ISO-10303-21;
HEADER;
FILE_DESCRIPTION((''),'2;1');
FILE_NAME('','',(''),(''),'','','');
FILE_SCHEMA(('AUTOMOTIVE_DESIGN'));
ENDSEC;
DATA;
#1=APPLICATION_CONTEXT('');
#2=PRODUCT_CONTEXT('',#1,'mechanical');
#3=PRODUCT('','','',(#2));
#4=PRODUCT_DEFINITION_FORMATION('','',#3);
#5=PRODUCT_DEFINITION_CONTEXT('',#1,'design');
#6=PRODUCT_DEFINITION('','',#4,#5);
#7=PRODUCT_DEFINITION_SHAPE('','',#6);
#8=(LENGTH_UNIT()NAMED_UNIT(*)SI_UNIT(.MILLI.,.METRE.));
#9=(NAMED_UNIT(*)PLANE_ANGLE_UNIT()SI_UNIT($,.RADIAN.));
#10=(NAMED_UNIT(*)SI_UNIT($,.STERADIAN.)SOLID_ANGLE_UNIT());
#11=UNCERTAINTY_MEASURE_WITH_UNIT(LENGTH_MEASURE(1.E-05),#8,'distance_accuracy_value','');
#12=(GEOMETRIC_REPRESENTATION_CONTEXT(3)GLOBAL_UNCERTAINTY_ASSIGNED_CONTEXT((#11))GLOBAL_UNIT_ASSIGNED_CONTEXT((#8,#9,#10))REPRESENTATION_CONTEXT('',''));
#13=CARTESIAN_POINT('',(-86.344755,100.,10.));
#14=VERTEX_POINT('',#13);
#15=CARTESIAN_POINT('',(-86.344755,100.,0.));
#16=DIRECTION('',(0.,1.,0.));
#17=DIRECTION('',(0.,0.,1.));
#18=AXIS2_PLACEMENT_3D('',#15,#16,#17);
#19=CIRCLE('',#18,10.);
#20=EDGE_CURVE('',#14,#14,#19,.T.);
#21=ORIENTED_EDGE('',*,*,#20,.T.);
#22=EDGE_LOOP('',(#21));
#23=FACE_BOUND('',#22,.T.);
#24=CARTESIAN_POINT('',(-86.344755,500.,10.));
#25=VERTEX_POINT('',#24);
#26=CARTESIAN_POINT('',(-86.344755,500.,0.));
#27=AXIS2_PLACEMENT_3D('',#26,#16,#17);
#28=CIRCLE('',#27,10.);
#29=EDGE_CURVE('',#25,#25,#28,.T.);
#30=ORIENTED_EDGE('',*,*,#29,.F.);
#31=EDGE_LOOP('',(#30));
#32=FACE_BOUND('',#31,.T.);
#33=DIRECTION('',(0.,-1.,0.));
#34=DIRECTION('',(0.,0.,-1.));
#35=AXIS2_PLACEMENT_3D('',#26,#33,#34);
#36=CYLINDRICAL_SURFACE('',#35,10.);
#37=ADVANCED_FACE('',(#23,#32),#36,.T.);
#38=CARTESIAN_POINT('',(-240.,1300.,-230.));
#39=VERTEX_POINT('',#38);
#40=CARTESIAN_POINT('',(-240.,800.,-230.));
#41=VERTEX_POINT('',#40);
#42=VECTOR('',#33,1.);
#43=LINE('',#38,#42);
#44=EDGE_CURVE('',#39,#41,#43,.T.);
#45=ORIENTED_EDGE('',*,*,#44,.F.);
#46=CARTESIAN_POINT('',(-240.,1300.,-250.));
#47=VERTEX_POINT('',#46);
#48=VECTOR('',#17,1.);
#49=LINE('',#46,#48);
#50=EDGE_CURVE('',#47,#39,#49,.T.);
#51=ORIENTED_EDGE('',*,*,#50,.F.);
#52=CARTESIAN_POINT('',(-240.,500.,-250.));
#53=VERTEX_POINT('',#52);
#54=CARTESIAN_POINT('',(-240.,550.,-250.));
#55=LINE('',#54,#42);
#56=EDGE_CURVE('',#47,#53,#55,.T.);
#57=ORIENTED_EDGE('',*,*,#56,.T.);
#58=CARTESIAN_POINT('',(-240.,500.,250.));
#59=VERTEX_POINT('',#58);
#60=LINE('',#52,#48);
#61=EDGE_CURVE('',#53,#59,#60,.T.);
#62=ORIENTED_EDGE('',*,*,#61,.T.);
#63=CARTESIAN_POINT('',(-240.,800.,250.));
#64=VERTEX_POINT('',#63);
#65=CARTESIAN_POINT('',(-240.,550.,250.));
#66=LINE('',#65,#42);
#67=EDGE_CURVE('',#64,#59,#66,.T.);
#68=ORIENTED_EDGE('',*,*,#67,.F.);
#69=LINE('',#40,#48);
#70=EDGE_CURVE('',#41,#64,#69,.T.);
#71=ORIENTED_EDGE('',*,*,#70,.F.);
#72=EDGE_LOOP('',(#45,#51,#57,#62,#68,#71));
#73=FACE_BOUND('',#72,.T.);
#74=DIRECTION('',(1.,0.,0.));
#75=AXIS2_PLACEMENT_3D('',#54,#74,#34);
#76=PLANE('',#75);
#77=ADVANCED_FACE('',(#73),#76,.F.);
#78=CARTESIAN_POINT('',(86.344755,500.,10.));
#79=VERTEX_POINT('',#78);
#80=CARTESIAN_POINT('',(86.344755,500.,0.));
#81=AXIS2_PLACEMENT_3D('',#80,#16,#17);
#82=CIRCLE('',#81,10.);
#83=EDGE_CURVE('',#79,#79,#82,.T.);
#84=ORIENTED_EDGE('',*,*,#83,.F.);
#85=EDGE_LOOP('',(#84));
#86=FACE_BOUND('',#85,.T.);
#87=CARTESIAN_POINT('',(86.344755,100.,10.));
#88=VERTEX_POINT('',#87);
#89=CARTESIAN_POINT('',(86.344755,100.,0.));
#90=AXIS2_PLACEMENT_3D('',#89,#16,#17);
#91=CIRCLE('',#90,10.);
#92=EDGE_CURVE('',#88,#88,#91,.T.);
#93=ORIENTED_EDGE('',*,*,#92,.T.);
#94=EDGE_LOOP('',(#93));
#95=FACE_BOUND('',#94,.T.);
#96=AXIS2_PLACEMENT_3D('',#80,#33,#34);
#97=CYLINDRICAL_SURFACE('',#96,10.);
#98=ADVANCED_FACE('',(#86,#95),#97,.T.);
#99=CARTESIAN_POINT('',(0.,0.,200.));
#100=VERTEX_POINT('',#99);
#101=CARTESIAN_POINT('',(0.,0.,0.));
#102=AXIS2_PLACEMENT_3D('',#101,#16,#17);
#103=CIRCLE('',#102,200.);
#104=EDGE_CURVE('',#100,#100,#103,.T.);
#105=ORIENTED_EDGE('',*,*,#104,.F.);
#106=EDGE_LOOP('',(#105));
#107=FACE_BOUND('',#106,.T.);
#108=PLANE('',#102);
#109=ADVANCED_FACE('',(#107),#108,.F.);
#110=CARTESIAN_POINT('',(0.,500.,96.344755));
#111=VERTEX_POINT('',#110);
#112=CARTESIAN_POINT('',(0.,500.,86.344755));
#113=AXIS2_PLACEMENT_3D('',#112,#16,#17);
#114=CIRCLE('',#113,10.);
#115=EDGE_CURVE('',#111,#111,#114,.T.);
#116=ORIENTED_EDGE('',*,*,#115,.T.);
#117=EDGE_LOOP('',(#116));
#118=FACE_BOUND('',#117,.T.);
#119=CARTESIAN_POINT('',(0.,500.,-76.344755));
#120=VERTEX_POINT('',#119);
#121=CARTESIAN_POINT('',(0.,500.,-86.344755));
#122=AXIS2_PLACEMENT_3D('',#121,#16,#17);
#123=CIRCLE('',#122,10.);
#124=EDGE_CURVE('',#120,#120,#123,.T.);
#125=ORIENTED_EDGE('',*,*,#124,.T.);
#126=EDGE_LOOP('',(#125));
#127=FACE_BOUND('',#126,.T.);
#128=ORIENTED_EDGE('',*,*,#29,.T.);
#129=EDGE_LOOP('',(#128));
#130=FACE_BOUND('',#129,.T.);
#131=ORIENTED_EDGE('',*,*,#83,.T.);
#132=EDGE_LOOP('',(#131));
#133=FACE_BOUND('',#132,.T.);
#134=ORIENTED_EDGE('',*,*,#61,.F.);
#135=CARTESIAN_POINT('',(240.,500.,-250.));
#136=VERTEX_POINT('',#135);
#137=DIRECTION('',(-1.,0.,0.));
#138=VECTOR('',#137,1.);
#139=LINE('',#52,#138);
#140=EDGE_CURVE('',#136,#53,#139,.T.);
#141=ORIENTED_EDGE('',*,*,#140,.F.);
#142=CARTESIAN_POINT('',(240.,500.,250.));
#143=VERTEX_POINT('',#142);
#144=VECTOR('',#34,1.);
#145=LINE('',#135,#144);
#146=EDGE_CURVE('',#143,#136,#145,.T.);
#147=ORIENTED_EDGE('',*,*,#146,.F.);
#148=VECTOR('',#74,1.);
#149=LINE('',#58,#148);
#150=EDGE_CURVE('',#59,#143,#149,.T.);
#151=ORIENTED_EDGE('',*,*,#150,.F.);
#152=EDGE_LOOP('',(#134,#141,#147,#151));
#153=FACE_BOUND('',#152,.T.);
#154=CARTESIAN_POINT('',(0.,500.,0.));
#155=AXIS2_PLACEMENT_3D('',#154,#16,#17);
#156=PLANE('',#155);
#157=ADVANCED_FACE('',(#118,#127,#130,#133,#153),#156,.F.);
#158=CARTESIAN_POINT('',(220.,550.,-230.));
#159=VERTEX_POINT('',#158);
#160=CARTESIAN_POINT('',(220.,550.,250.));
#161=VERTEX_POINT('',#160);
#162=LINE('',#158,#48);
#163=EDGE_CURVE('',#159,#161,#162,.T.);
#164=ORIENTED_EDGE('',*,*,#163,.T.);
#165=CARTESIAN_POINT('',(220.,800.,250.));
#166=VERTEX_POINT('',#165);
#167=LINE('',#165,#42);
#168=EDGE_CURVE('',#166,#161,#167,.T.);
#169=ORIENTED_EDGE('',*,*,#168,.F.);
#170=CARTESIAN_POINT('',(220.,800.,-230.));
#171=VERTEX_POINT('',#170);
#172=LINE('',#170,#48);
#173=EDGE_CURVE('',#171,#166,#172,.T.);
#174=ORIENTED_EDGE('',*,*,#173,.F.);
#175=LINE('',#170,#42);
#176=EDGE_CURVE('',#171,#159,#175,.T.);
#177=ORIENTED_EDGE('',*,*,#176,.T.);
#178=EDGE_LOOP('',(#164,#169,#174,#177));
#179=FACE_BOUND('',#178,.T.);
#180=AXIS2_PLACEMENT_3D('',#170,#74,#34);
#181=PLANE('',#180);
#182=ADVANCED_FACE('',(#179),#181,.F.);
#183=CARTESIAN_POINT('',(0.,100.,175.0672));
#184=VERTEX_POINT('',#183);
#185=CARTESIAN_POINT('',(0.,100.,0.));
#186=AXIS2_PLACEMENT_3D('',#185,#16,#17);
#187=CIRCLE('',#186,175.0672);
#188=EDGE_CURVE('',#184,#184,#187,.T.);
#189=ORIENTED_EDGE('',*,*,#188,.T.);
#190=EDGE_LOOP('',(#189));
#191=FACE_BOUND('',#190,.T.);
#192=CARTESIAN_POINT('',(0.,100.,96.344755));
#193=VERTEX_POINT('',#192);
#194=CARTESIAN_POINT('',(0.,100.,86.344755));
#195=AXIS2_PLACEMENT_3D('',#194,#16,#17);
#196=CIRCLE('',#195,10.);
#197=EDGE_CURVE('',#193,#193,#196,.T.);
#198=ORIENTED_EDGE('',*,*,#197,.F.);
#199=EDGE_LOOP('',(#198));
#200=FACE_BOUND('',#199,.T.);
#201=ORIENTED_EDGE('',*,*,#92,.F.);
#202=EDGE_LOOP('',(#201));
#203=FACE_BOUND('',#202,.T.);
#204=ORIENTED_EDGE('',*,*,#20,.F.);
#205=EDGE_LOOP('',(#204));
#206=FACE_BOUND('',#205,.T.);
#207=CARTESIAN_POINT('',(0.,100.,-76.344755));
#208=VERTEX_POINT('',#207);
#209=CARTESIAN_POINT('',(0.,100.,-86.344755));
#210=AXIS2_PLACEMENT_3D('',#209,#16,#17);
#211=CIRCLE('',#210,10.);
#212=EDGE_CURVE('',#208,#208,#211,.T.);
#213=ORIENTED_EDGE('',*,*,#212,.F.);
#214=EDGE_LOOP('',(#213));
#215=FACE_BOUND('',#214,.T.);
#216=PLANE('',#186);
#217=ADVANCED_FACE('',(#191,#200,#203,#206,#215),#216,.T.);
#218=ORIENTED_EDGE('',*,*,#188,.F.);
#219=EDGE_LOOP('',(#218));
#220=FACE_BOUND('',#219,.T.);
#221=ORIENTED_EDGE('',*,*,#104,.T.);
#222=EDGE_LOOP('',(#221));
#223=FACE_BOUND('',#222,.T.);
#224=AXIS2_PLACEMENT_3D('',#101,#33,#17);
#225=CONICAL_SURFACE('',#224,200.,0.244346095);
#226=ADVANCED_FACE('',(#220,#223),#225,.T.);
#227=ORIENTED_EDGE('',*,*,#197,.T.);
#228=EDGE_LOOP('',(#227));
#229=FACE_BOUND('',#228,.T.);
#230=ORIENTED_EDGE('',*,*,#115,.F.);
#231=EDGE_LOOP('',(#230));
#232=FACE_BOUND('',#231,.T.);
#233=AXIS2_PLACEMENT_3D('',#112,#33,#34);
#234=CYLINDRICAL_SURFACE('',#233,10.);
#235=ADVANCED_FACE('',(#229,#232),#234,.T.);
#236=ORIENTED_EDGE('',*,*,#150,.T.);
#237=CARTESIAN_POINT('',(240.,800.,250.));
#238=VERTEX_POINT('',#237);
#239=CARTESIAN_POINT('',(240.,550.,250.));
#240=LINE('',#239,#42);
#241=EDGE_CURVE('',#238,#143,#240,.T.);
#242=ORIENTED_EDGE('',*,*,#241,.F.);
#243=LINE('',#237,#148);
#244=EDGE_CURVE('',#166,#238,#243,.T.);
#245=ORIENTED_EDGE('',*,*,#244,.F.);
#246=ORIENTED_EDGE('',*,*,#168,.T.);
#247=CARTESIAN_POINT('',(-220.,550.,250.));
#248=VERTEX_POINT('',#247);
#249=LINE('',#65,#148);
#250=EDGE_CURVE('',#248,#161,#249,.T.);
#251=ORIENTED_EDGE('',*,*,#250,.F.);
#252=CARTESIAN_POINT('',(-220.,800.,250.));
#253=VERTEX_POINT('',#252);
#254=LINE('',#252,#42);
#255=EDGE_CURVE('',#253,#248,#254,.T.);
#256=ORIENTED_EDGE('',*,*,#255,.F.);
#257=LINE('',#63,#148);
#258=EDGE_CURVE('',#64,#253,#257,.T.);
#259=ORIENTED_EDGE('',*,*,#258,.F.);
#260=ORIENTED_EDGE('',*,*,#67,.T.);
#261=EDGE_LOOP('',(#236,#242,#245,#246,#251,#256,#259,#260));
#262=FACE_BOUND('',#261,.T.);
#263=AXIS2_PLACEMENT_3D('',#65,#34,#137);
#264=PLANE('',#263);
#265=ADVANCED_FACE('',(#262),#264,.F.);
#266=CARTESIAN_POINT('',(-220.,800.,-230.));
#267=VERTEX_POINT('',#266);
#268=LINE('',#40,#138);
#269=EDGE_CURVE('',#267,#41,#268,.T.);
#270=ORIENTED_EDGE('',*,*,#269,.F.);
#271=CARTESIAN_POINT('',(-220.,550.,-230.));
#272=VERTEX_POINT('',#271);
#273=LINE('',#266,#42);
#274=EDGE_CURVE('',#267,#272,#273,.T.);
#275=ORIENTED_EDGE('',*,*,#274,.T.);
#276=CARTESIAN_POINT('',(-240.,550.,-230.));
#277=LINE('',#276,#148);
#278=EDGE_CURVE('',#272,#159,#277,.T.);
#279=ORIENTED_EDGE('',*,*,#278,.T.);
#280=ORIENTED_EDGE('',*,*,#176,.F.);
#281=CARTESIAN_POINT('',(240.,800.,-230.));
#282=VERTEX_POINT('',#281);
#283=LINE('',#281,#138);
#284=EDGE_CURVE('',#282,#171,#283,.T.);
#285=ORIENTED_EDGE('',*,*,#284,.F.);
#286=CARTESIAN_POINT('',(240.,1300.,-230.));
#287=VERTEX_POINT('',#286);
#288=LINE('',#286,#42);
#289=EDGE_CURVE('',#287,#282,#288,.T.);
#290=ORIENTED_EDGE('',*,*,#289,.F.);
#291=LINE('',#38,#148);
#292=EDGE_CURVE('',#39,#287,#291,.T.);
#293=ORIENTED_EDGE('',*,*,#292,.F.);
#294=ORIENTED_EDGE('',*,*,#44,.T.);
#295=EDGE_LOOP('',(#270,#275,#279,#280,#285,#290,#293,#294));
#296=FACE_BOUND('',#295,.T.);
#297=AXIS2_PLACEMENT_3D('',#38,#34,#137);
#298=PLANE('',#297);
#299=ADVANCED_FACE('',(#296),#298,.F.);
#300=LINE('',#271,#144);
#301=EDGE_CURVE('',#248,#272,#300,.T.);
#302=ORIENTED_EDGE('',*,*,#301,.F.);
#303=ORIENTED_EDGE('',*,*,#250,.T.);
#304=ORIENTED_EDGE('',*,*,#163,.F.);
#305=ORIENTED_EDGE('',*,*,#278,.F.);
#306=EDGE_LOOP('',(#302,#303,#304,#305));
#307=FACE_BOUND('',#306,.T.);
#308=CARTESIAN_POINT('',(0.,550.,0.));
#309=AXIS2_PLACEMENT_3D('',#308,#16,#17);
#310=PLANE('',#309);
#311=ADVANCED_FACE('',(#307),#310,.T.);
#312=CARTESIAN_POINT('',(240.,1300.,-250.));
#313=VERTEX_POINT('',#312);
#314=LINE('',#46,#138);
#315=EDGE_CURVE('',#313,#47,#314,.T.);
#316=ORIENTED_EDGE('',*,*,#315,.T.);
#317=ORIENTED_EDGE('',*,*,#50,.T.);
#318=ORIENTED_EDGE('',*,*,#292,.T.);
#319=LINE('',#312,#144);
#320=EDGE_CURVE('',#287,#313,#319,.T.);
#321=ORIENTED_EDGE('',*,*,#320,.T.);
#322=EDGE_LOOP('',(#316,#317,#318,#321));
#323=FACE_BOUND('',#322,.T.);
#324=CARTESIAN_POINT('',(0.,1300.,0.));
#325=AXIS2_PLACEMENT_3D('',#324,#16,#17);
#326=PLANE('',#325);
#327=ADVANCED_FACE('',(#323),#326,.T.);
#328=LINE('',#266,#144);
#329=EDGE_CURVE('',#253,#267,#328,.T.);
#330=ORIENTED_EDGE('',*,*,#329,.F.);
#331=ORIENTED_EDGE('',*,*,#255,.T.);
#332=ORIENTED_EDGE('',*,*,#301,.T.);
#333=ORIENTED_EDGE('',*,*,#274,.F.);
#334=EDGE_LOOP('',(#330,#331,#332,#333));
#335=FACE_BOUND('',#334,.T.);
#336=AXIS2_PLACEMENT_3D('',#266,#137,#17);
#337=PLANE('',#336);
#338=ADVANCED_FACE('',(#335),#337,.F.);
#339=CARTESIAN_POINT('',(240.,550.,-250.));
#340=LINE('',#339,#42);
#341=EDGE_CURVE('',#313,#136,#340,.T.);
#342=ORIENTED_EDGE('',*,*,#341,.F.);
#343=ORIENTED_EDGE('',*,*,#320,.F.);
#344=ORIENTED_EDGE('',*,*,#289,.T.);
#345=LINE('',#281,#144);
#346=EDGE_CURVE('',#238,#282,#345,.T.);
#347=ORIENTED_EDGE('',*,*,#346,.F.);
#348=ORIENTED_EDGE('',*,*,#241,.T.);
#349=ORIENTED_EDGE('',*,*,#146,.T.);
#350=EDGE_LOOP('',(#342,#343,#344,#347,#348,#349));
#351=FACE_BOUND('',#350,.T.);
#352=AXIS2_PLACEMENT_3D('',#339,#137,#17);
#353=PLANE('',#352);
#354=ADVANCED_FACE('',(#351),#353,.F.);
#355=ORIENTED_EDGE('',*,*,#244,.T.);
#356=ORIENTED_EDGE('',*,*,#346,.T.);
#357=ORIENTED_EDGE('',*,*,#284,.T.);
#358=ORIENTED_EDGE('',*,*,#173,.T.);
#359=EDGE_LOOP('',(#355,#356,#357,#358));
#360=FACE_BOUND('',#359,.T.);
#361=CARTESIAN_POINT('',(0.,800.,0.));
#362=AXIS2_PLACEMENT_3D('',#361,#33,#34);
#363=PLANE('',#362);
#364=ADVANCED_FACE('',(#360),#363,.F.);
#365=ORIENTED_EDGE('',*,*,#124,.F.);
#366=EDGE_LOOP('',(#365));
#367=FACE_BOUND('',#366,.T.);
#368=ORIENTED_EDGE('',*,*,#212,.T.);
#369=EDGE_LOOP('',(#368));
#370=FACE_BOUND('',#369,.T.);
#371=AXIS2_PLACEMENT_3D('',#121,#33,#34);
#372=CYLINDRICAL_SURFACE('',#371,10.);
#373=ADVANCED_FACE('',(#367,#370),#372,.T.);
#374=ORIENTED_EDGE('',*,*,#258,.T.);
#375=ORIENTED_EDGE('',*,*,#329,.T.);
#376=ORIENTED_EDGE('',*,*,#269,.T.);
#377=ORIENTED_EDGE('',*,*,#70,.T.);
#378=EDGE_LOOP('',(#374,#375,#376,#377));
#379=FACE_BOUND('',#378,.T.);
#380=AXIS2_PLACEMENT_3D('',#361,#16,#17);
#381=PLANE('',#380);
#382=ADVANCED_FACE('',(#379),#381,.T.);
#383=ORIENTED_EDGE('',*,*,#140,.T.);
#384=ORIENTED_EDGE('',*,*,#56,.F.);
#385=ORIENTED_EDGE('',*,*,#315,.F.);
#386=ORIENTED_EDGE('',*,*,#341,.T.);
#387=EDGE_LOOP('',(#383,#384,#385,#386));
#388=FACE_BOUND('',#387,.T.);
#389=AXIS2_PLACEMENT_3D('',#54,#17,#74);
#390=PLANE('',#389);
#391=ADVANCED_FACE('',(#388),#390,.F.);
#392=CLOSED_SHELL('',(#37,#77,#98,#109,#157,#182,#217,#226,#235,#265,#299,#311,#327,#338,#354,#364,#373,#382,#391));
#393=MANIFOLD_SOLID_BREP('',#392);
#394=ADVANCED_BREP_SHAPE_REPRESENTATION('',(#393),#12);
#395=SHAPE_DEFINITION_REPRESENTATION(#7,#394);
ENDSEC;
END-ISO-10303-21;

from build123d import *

# Parameters (mm, degrees)
SKETCH1_R            = 200
BOSS_EXTRUDE1_DEPTH  = 100
BOSS_EXTRUDE1_TAPER  = 14
SKETCH2_R            = 10
BOSS_EXTRUDE2_DEPTH  = 400
SKETCH7_W            = 480
SKETCH7_H            = 500
BOSS_EXTRUDE8_DEPTH  = 50
SKETCH8_W            = 480
SKETCH8_H            = 20
BOSS_EXTRUDE9_DEPTH  = 750
SKETCH9_W            = 20
SKETCH9_H            = 480
BOSS_EXTRUDE10_DEPTH = 250


with BuildPart() as part:
    # Sketch1 → Boss-Extrude1 (new body)
    with BuildSketch(Plane(origin=(0, 0, 0), x_dir=(1, 0, 0), z_dir=(0, 1, 0))):
        Circle(SKETCH1_R)
    extrude(amount=BOSS_EXTRUDE1_DEPTH, taper=BOSS_EXTRUDE1_TAPER)

    # Sketch2 → Boss-Extrude2 (add)
    with BuildSketch(Plane(origin=(0, 100, 0), x_dir=(1, 0, 0), z_dir=(0, 1, 0))):
        with Locations(Location((86.344755042, 0, 0), (0, 0, 270))):
            Circle(SKETCH2_R)
        with Locations(Location((0, -86.344755042, 0), (0, 0, 270))):
            Circle(SKETCH2_R)
        with Locations(Location((-86.344755042, 0, 0), (0, 0, 270))):
            Circle(SKETCH2_R)
        with Locations(Location((0, 86.344755042, 0), (0, 0, 270))):
            Circle(SKETCH2_R)
    extrude(amount=BOSS_EXTRUDE2_DEPTH)

    # Sketch7 → Boss-Extrude8 (add)
    with BuildSketch(Plane(origin=(0, 500, 0), x_dir=(1, 0, 0), z_dir=(0, 1, 0))):
        Rectangle(SKETCH7_W, SKETCH7_H)
    extrude(amount=BOSS_EXTRUDE8_DEPTH)

    # Sketch8 → Boss-Extrude9 (add)
    with BuildSketch(Plane(origin=(0, 550, 0), x_dir=(1, 0, 0), z_dir=(0, 1, 0))):
        with Locations((0, 240)):
            Rectangle(SKETCH8_W, SKETCH8_H)
    extrude(amount=BOSS_EXTRUDE9_DEPTH)

    # Sketch9 → Boss-Extrude10 (add)
    with BuildSketch(Plane(origin=(0, 550, 0), x_dir=(1, 0, 0), z_dir=(0, 1, 0))):
        with Locations((-230, -10)):
            Rectangle(SKETCH9_W, SKETCH9_H)
        with Locations((230, -10)):
            Rectangle(SKETCH9_W, SKETCH9_H)
    extrude(amount=BOSS_EXTRUDE10_DEPTH)


solid = part.part
